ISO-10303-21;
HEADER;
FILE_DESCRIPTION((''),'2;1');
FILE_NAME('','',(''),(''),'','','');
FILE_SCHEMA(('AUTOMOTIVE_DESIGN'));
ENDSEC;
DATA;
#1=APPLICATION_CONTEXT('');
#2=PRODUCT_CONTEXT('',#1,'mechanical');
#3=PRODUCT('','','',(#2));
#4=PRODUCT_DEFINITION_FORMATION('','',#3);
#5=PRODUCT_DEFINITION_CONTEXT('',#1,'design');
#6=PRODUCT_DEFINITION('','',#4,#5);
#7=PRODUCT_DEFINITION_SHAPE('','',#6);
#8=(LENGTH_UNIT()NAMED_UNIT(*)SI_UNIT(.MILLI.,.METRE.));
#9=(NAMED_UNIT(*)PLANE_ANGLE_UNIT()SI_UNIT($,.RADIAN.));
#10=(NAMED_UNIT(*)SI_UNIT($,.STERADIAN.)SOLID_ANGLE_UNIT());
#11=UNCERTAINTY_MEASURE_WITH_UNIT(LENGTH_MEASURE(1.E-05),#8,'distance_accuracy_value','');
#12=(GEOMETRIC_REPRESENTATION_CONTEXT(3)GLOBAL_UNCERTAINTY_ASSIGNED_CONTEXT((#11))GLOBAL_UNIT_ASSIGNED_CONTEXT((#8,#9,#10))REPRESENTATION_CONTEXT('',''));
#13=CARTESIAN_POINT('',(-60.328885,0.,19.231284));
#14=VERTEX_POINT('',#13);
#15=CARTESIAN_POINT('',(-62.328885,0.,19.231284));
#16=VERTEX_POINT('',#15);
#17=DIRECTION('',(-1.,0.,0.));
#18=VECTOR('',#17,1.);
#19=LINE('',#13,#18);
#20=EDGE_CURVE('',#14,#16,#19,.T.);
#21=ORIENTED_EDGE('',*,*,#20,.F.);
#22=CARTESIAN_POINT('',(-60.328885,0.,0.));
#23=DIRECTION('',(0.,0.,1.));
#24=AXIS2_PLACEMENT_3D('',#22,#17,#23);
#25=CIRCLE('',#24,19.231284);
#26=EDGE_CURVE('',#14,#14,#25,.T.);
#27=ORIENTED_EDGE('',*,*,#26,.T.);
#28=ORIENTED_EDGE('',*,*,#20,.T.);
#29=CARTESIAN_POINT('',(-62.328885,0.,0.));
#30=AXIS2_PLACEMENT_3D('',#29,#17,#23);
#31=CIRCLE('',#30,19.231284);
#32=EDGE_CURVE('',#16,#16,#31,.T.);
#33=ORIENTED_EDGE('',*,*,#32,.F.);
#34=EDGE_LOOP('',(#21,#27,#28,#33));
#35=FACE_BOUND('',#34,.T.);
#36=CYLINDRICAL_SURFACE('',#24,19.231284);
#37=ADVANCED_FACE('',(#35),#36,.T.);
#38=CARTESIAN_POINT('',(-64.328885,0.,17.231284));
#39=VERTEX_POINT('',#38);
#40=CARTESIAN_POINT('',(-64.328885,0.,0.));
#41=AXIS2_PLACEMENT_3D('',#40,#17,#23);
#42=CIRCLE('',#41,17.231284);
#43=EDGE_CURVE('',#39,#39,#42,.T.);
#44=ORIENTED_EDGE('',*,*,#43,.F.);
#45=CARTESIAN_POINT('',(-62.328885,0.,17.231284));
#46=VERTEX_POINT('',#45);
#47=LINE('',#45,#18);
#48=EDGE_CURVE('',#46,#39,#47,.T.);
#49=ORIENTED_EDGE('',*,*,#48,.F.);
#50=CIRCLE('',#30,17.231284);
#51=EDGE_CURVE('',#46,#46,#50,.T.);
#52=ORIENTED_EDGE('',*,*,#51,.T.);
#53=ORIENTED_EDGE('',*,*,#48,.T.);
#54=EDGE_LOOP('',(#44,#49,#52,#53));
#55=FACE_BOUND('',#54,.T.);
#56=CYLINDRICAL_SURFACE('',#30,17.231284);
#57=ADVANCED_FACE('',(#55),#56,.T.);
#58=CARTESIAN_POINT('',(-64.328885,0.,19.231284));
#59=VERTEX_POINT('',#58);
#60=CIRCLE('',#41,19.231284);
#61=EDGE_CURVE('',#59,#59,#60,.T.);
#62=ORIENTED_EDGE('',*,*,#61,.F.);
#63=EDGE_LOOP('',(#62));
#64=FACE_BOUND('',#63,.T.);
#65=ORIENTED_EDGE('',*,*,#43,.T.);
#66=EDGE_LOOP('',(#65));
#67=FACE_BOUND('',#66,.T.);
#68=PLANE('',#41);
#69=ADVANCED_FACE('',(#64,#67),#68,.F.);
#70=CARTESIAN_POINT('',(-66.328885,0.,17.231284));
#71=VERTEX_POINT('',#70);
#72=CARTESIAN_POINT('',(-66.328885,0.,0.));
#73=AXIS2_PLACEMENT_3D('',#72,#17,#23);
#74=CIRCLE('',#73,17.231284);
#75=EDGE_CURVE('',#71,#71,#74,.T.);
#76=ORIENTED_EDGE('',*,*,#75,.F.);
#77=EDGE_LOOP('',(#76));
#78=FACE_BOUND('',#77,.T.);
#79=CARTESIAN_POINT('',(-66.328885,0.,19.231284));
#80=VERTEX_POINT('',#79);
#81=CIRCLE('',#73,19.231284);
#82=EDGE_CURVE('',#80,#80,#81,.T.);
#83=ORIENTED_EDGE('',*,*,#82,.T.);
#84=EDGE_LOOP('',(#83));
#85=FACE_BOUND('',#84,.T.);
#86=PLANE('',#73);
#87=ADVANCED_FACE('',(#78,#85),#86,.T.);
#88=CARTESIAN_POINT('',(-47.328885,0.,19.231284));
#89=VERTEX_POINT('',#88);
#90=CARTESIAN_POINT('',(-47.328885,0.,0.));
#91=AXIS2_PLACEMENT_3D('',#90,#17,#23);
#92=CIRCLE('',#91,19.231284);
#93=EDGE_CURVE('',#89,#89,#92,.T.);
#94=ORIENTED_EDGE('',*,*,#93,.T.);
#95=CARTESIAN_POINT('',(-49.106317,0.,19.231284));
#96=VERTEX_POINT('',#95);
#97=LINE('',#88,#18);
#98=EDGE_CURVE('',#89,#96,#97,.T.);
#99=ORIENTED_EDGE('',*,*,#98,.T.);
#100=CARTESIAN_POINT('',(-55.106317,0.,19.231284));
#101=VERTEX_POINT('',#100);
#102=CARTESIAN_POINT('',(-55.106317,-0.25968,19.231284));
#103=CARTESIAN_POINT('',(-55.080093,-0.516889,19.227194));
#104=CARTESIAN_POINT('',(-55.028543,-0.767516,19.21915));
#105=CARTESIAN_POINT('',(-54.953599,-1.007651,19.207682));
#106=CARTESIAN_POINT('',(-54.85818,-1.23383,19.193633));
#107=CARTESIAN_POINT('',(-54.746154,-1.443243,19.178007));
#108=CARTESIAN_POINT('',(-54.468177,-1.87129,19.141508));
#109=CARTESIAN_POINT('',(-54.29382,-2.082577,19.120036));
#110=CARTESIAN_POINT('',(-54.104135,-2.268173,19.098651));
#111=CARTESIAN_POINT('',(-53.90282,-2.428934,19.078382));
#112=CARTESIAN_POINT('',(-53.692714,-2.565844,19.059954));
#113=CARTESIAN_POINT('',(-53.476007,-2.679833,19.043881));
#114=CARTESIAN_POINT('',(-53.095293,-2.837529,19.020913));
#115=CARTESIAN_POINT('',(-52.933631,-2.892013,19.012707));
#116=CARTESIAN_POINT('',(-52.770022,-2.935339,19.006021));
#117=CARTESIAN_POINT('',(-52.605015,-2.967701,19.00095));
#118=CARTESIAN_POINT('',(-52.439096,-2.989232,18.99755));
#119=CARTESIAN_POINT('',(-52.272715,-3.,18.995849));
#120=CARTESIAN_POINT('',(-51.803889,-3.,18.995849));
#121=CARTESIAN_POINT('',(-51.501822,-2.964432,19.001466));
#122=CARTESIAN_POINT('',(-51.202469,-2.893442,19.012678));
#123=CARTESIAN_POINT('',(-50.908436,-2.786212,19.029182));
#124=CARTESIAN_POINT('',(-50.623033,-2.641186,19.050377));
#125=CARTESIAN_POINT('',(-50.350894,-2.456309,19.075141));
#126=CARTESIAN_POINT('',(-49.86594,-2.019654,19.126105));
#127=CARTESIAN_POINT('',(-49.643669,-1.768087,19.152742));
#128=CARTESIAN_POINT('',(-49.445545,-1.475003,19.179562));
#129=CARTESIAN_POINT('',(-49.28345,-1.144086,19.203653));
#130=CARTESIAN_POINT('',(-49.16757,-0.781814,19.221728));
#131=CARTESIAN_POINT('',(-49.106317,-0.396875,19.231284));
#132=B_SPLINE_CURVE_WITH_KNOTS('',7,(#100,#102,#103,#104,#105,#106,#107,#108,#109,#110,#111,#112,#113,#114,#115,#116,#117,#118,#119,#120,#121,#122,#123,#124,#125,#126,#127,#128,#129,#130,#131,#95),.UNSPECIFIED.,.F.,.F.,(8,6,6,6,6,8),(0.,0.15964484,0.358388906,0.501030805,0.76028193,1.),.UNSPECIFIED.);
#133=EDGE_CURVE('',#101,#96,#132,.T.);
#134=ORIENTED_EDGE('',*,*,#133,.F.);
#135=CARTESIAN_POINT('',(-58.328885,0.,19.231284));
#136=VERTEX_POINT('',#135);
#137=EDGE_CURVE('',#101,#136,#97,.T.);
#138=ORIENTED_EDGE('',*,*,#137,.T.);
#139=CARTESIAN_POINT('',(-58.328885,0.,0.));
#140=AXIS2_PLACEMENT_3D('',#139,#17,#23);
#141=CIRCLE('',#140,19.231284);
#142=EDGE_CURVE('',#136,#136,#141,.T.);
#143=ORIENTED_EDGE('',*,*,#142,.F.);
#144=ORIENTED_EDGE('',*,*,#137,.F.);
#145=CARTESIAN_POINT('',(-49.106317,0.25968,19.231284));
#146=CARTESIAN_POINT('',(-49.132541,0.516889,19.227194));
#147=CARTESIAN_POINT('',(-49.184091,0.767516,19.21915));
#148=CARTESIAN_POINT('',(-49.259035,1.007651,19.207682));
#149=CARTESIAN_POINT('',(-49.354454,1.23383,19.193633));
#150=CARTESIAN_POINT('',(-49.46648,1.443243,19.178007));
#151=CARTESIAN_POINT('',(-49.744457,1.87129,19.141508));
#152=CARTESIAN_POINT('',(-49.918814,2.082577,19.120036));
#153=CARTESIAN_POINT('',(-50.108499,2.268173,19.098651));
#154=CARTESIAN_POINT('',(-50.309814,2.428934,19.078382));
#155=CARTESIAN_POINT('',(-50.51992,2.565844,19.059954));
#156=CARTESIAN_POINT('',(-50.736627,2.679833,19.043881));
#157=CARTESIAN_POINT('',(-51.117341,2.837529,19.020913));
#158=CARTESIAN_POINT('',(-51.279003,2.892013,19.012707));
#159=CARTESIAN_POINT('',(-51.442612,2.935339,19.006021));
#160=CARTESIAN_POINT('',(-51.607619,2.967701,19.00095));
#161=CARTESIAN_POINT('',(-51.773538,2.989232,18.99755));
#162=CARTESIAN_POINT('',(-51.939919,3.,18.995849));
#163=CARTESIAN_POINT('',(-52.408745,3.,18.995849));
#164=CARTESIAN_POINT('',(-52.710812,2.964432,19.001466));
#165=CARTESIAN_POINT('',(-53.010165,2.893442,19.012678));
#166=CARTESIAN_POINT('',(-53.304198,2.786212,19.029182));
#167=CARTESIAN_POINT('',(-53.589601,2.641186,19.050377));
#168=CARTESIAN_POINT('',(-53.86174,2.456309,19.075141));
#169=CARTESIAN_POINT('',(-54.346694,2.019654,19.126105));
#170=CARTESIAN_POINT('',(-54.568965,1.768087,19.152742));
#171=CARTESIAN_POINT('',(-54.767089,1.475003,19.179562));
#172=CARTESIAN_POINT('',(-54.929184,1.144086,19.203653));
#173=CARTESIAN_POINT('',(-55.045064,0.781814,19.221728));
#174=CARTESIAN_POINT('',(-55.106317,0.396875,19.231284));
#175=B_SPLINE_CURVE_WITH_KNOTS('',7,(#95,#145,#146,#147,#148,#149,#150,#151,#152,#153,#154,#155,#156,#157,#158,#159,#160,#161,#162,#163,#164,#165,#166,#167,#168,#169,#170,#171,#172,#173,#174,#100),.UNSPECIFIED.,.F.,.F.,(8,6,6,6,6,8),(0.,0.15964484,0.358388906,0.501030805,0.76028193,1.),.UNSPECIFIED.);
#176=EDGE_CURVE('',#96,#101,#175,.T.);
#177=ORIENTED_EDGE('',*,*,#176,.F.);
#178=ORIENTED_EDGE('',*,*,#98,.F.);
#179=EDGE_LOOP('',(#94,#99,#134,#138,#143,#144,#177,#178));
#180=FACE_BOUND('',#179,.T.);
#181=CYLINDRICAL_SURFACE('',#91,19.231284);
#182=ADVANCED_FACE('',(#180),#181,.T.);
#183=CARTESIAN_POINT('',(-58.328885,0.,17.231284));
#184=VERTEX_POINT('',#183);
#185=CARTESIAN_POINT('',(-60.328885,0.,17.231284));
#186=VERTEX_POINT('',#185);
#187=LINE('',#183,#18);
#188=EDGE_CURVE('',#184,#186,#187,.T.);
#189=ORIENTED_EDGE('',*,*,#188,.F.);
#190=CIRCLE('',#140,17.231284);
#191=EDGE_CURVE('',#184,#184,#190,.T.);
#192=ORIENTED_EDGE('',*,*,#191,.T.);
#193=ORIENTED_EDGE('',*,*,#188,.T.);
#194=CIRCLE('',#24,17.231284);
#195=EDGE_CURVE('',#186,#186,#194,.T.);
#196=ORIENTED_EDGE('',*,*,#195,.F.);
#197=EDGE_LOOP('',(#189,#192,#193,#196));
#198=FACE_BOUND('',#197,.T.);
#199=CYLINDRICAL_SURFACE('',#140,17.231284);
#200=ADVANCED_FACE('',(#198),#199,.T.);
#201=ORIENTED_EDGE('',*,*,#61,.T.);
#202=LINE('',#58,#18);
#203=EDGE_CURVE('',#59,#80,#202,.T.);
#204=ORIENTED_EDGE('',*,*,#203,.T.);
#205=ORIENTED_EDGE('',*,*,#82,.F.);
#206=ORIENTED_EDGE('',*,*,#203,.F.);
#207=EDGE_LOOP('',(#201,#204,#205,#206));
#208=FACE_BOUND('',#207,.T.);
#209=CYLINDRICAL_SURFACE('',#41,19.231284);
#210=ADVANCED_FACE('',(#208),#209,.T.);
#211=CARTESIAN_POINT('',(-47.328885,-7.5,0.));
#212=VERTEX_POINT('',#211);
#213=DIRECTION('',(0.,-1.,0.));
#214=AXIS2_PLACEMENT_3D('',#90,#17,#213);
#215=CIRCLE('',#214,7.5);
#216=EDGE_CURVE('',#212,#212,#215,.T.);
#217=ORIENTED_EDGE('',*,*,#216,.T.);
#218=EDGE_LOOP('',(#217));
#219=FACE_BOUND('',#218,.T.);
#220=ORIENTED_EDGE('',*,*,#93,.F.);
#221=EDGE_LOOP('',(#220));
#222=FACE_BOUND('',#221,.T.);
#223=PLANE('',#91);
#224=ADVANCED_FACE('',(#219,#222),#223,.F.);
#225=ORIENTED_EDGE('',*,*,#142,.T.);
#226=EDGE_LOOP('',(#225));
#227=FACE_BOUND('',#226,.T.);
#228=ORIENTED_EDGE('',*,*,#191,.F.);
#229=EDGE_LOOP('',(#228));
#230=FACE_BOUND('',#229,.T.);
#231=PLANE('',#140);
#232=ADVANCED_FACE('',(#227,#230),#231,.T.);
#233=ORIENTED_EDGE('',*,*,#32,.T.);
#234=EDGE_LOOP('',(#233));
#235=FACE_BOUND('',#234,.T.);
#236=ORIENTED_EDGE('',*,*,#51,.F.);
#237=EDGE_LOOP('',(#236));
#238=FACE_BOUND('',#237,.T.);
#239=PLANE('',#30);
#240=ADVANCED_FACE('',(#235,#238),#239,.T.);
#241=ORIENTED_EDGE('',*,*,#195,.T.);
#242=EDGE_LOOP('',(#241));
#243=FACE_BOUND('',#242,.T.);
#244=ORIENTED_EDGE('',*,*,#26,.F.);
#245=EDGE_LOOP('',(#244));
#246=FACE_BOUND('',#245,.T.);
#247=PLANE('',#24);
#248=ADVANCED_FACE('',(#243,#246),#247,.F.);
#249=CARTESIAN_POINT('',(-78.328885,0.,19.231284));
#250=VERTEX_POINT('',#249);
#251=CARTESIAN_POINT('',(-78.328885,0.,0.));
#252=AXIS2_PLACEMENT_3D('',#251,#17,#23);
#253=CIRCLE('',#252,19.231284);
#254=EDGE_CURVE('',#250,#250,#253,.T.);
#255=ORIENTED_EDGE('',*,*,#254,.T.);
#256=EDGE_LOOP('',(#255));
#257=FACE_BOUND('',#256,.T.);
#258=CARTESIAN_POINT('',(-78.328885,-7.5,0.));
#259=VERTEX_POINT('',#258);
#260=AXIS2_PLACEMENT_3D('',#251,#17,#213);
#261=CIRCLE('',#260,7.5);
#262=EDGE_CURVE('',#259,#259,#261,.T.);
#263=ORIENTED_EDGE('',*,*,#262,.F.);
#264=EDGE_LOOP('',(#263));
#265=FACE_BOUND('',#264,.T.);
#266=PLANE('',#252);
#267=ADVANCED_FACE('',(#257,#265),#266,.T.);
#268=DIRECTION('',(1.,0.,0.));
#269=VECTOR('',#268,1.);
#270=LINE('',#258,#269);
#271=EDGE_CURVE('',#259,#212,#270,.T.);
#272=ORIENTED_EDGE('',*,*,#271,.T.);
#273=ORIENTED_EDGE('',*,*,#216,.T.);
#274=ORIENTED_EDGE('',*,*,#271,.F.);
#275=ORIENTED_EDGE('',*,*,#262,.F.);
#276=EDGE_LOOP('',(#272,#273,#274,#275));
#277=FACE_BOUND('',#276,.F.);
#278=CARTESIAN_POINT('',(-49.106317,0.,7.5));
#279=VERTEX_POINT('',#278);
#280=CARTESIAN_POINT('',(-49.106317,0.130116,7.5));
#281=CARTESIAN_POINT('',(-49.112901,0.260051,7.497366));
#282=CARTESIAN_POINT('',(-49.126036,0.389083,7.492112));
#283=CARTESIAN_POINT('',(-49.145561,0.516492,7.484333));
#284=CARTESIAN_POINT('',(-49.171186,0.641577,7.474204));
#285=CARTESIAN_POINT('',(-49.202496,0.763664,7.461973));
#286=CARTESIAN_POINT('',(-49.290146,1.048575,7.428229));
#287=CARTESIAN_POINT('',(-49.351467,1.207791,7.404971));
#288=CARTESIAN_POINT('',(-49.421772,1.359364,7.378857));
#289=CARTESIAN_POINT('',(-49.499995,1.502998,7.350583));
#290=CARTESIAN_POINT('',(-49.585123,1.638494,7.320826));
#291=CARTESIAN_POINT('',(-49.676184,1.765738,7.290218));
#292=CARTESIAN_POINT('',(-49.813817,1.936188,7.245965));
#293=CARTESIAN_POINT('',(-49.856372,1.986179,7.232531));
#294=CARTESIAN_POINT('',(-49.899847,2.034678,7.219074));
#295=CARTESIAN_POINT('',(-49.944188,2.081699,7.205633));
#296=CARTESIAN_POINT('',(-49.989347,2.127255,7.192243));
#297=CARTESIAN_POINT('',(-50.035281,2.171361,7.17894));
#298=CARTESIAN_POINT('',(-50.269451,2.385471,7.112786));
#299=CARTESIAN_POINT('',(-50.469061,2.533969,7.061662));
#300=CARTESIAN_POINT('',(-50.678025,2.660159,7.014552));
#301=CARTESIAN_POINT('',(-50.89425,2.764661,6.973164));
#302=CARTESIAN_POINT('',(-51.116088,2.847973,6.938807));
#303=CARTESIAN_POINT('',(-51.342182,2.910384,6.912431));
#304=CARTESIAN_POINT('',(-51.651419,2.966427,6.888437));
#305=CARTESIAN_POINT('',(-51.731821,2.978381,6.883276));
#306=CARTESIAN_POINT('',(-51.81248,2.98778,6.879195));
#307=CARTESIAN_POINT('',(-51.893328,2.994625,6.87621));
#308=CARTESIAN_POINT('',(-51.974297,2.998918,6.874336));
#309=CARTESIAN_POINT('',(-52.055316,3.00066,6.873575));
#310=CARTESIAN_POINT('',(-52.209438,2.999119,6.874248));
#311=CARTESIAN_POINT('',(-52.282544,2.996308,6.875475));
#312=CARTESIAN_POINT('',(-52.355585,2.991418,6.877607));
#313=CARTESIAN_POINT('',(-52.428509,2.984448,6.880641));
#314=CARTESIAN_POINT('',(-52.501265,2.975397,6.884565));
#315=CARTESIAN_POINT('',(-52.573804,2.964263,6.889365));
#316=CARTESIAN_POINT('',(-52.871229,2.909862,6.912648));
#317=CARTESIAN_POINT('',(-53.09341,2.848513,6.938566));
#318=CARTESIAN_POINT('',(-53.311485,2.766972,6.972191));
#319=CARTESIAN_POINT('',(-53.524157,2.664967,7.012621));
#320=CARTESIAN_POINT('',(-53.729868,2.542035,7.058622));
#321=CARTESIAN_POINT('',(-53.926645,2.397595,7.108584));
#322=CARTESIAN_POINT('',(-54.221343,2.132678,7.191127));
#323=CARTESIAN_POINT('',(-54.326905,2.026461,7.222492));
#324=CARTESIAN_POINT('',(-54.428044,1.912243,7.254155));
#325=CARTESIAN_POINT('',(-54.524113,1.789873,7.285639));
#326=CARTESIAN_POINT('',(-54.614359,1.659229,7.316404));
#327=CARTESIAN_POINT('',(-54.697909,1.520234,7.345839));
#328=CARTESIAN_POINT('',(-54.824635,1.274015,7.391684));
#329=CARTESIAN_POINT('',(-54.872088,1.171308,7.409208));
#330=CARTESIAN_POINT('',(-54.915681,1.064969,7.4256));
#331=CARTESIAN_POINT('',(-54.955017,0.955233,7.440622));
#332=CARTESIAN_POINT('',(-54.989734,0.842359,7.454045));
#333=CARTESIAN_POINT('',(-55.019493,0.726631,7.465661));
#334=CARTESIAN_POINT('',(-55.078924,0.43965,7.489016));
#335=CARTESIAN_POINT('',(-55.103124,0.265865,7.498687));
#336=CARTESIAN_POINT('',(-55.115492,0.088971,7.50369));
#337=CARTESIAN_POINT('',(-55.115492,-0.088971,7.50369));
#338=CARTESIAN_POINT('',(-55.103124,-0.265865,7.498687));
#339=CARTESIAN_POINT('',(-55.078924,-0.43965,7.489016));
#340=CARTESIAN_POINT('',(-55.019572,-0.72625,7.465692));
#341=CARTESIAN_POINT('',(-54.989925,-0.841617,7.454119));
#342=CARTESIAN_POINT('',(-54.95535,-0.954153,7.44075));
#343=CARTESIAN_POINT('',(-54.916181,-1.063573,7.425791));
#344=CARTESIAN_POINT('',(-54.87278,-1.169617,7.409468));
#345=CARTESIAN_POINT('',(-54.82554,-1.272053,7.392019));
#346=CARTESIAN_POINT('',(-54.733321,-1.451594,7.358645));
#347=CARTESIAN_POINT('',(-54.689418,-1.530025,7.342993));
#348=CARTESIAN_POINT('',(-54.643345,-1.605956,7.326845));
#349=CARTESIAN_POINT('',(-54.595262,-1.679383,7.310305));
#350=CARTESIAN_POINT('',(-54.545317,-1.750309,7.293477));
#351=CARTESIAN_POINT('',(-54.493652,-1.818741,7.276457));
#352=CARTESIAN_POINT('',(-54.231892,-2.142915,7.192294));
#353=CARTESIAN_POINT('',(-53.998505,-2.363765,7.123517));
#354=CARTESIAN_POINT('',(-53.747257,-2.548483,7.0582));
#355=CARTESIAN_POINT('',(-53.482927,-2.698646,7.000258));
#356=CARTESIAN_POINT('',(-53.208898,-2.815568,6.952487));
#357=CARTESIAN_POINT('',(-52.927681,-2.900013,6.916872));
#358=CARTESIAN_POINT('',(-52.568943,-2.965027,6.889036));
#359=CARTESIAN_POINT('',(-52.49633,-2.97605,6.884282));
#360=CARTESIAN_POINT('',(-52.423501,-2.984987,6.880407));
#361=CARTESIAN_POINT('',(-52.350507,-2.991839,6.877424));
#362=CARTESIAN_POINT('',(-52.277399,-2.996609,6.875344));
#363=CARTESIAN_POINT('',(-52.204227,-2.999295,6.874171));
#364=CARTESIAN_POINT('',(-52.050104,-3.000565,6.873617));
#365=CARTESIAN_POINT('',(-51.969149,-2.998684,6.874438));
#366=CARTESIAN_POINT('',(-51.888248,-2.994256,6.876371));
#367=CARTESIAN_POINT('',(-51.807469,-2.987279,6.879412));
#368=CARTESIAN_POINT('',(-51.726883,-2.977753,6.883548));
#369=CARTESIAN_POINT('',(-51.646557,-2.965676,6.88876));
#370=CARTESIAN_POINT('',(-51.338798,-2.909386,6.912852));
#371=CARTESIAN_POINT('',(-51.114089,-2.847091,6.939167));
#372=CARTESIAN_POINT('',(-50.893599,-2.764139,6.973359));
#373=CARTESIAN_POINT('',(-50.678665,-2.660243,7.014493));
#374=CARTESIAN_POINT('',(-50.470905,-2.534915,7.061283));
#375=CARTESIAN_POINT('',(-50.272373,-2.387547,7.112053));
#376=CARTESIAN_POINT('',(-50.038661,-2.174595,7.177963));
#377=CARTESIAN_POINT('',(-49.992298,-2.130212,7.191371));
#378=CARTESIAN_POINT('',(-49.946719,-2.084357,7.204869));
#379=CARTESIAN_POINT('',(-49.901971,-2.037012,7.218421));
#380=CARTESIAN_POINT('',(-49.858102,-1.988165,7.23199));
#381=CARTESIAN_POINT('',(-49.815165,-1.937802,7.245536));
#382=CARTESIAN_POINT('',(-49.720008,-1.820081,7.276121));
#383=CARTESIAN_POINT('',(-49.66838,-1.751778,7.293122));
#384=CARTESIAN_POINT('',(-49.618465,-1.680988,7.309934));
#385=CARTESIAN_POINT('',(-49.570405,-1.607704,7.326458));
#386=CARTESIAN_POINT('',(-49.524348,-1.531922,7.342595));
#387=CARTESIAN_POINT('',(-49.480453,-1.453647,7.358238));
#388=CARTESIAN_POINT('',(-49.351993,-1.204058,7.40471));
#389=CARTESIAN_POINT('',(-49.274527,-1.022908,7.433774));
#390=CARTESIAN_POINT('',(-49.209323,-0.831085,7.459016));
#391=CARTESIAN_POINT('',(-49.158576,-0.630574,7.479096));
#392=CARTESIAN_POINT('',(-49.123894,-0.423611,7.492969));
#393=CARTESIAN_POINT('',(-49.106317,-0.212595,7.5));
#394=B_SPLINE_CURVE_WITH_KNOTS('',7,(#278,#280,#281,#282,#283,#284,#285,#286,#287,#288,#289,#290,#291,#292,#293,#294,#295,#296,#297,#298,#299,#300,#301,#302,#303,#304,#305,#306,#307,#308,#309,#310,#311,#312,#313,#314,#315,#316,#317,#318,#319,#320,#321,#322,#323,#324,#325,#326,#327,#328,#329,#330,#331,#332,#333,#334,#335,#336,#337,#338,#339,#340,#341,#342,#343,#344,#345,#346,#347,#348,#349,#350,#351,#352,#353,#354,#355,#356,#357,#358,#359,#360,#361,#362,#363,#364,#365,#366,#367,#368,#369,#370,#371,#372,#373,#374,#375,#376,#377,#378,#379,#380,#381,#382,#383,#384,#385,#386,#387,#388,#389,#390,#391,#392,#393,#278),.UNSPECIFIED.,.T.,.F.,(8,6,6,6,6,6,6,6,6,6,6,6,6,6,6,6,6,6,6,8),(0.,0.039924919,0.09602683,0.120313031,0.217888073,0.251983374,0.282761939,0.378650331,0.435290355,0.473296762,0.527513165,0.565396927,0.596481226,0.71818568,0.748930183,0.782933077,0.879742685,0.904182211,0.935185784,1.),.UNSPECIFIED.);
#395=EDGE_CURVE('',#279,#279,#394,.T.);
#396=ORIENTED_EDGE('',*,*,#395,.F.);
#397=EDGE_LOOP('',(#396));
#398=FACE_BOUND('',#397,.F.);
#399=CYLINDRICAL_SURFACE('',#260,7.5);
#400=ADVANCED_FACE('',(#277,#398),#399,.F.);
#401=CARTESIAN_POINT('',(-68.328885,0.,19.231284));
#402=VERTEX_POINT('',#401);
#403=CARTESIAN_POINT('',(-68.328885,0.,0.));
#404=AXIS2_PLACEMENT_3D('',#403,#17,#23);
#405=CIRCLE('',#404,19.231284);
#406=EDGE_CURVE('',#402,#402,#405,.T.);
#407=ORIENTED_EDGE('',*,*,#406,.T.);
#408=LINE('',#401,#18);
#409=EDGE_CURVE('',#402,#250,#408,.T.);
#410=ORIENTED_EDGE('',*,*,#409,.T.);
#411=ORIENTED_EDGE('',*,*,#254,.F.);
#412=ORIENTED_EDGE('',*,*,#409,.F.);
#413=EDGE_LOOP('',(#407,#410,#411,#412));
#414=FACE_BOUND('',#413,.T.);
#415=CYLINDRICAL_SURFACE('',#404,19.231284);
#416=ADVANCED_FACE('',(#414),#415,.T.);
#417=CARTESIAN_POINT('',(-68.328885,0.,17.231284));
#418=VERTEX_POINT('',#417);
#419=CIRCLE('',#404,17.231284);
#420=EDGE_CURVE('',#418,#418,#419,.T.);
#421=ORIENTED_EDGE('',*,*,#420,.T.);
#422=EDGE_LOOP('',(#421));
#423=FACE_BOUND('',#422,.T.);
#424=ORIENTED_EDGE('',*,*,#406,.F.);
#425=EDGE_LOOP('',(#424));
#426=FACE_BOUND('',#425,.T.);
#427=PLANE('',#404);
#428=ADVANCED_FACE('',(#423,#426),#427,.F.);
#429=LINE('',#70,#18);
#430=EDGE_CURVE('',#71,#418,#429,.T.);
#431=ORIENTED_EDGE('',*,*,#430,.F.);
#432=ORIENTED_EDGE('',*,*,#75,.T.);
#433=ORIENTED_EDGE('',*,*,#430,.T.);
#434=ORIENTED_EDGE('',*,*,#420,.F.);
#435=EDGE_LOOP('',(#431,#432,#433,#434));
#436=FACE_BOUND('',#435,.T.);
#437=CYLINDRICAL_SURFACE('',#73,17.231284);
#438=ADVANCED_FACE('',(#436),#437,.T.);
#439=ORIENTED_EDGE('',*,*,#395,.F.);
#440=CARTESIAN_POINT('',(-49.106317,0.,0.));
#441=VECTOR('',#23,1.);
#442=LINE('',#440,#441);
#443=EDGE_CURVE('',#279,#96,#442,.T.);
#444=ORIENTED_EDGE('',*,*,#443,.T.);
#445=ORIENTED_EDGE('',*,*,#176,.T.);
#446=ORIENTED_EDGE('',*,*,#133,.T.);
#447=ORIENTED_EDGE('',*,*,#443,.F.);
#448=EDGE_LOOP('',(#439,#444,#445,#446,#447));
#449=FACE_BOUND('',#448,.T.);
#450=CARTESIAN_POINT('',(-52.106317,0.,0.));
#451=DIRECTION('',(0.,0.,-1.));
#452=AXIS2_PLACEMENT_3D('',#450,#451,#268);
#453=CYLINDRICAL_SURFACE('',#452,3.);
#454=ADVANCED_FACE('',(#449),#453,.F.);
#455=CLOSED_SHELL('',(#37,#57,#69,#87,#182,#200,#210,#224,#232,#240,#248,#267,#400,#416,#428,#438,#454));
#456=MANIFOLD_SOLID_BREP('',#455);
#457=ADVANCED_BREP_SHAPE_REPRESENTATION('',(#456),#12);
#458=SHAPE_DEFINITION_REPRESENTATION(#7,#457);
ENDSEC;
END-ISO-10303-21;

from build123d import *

# Parameters (mm, degrees)
F2_R     = 7.5
F3_DEPTH = 40
F4_R     = 3
F5_DEPTH = 25


with BuildPart() as f1:
    # F0 (on Front) → F1 (revolve)
    with BuildSketch(Plane.XZ):
        Polygon((-78.328885, 0), (-47.328885, 0), (-47.328885, 19.231284), (-58.328885, 19.231284), (-58.328885, 17.231284), (-60.328885, 17.231284), (-60.328885, 19.231284), (-62.328885, 19.231284), (-62.328885, 17.231284), (-64.328885, 17.231284), (-64.328885, 19.231284), (-66.328885, 19.231284), (-66.328885, 17.231284), (-68.328885, 17.231284), (-68.328885, 19.231284), (-78.328885, 19.231284), align=None)
    revolve(axis=Axis((-39.164443, 0, 0), (-1, 0, 0)))

    # F2 (on face) → F3 (cut)
    with BuildSketch(Plane(origin=(-78.328885, 0, 0), x_dir=(0, -1, 0), z_dir=(-1, 0, 0))):
        Circle(F2_R)
    extrude(amount=-F3_DEPTH, mode=Mode.SUBTRACT)

    # F4 (on Top) → F5 (cut)
    with BuildSketch(Plane.XY):
        with Locations((-52.106317, 0)):
            Circle(F4_R)
    extrude(amount=F5_DEPTH, mode=Mode.SUBTRACT)


solid = f1.part
